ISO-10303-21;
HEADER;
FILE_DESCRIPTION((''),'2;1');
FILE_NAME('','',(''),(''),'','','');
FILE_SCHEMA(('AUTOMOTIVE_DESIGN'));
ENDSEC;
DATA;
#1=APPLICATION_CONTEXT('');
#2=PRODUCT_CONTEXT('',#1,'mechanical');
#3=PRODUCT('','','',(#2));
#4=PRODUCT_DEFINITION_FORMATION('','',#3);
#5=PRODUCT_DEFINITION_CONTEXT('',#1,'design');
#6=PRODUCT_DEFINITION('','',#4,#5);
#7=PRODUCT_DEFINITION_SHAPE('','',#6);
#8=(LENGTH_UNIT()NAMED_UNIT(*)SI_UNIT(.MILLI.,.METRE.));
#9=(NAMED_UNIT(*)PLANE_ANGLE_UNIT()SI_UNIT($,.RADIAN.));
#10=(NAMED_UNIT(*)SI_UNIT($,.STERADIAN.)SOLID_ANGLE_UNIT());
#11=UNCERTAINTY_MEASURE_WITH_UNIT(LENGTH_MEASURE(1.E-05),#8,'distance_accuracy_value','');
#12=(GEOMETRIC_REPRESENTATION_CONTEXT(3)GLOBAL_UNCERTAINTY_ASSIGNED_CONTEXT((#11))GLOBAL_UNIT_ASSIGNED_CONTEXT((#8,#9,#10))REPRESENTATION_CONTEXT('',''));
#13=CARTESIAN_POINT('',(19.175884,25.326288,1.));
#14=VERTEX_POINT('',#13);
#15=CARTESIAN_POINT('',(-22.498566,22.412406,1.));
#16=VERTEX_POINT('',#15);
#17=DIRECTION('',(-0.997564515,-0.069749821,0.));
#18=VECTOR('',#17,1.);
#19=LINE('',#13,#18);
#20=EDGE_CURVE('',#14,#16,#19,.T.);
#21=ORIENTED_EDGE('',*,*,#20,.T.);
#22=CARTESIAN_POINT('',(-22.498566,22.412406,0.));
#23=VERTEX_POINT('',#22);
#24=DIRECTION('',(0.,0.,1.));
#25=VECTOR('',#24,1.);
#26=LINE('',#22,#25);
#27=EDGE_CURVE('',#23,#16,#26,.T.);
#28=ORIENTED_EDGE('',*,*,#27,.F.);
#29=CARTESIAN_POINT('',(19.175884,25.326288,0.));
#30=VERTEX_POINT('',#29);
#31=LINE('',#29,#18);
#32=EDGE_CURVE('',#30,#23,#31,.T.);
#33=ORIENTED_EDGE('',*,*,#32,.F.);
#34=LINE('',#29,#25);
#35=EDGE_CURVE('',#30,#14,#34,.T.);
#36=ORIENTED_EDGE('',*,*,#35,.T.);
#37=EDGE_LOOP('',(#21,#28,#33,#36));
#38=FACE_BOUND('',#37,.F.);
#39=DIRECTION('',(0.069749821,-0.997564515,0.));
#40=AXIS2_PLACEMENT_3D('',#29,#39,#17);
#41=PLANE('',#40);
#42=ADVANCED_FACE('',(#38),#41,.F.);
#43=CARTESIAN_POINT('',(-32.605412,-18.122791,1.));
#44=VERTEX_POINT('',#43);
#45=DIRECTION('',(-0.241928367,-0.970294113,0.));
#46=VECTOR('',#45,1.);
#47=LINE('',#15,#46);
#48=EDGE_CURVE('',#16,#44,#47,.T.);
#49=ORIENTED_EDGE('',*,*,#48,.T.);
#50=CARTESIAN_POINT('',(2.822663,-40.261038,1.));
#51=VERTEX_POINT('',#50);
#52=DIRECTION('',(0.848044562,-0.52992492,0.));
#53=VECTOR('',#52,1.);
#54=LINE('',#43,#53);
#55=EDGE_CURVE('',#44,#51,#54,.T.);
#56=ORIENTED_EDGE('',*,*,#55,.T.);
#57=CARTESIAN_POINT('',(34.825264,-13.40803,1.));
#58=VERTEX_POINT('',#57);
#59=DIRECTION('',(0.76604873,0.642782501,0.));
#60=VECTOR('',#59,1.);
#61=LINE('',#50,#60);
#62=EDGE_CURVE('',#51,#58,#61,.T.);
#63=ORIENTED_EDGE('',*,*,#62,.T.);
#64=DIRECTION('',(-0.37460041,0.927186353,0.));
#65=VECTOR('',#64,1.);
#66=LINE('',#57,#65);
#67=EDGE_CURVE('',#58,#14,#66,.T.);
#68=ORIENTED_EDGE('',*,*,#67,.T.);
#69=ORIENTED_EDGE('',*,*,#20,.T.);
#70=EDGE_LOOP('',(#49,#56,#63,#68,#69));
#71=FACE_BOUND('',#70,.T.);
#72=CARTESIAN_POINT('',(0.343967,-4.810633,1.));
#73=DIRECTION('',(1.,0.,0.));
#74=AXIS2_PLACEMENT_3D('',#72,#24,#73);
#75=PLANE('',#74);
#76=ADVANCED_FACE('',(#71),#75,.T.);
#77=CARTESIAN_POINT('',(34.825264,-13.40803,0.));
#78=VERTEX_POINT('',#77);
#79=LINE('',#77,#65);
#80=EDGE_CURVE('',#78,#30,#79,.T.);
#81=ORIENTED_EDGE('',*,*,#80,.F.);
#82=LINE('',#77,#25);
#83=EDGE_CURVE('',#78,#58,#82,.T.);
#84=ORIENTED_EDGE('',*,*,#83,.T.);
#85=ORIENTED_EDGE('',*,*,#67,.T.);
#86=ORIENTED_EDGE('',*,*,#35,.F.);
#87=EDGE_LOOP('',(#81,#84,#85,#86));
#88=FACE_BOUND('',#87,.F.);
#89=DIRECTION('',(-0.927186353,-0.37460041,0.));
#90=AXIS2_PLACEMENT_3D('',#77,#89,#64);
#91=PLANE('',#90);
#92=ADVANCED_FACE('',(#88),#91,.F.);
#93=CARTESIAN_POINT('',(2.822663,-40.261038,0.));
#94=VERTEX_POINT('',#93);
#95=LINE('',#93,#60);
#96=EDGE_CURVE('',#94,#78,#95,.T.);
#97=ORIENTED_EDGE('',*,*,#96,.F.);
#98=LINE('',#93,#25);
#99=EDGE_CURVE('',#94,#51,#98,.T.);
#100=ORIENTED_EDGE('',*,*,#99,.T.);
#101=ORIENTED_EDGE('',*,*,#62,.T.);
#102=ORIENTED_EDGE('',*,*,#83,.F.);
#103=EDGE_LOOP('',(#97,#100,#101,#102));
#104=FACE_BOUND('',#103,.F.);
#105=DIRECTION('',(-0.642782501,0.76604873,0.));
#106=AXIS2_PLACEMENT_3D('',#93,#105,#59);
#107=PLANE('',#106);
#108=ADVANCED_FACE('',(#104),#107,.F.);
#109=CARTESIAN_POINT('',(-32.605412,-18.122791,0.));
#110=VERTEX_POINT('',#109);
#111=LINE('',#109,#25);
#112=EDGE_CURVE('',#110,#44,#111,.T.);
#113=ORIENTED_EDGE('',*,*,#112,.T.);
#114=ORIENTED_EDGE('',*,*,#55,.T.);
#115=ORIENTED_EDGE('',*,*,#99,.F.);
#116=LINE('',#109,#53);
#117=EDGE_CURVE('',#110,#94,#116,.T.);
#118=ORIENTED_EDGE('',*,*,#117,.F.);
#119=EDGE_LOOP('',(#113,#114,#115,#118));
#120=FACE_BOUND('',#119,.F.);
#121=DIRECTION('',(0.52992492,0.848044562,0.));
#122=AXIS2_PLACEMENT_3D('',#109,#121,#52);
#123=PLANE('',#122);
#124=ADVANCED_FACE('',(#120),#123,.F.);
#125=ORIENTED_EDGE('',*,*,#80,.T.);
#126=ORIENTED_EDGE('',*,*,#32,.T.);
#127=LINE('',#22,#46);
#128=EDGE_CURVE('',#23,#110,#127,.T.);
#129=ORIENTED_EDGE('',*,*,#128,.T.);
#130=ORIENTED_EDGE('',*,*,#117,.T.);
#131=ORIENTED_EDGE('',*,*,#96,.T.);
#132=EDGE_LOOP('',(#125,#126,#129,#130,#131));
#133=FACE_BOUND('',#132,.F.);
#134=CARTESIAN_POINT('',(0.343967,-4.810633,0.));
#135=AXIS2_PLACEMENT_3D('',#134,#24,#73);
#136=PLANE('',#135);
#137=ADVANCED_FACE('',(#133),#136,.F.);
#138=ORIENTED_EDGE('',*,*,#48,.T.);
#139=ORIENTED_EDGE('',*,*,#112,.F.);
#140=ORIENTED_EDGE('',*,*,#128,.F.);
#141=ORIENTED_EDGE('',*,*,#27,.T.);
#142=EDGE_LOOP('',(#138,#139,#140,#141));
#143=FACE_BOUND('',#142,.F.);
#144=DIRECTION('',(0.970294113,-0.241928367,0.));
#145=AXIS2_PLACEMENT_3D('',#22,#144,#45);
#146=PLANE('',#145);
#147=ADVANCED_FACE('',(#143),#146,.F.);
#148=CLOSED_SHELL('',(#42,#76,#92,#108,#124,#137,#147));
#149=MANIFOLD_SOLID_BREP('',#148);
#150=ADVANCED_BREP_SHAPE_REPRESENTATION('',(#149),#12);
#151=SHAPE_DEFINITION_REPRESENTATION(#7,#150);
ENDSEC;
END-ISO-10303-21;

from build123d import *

# Parameters (mm, degrees)
F1_DEPTH = 1


with BuildPart() as f1:
    # F0 (on Top) → F1 (new body)
    with BuildSketch(Plane.XY):
        Polygon((19.1758844015, 25.326287722), (-22.4985656812, 22.4124055891), (-32.6054123978, -18.1227908238), (2.822662895, -40.2610378147), (34.8252642985, -13.4080304936), align=None)
        Polygon((-31.7215240873, -17.8355981024), (-21.9522926631, 21.6605252833), (18.6296113834, 24.5744074162), (33.941375988, -13.1208377722), (2.822662895, -39.3316626458), align=None, mode=Mode.SUBTRACT)
        Polygon((18.6296113834, 24.5744074162), (-21.9522926631, 21.6605252833), (-31.7215240873, -17.8355981024), (2.822662895, -39.3316626458), (33.941375988, -13.1208377722), align=None)
    extrude(amount=F1_DEPTH)


solid = f1.part
